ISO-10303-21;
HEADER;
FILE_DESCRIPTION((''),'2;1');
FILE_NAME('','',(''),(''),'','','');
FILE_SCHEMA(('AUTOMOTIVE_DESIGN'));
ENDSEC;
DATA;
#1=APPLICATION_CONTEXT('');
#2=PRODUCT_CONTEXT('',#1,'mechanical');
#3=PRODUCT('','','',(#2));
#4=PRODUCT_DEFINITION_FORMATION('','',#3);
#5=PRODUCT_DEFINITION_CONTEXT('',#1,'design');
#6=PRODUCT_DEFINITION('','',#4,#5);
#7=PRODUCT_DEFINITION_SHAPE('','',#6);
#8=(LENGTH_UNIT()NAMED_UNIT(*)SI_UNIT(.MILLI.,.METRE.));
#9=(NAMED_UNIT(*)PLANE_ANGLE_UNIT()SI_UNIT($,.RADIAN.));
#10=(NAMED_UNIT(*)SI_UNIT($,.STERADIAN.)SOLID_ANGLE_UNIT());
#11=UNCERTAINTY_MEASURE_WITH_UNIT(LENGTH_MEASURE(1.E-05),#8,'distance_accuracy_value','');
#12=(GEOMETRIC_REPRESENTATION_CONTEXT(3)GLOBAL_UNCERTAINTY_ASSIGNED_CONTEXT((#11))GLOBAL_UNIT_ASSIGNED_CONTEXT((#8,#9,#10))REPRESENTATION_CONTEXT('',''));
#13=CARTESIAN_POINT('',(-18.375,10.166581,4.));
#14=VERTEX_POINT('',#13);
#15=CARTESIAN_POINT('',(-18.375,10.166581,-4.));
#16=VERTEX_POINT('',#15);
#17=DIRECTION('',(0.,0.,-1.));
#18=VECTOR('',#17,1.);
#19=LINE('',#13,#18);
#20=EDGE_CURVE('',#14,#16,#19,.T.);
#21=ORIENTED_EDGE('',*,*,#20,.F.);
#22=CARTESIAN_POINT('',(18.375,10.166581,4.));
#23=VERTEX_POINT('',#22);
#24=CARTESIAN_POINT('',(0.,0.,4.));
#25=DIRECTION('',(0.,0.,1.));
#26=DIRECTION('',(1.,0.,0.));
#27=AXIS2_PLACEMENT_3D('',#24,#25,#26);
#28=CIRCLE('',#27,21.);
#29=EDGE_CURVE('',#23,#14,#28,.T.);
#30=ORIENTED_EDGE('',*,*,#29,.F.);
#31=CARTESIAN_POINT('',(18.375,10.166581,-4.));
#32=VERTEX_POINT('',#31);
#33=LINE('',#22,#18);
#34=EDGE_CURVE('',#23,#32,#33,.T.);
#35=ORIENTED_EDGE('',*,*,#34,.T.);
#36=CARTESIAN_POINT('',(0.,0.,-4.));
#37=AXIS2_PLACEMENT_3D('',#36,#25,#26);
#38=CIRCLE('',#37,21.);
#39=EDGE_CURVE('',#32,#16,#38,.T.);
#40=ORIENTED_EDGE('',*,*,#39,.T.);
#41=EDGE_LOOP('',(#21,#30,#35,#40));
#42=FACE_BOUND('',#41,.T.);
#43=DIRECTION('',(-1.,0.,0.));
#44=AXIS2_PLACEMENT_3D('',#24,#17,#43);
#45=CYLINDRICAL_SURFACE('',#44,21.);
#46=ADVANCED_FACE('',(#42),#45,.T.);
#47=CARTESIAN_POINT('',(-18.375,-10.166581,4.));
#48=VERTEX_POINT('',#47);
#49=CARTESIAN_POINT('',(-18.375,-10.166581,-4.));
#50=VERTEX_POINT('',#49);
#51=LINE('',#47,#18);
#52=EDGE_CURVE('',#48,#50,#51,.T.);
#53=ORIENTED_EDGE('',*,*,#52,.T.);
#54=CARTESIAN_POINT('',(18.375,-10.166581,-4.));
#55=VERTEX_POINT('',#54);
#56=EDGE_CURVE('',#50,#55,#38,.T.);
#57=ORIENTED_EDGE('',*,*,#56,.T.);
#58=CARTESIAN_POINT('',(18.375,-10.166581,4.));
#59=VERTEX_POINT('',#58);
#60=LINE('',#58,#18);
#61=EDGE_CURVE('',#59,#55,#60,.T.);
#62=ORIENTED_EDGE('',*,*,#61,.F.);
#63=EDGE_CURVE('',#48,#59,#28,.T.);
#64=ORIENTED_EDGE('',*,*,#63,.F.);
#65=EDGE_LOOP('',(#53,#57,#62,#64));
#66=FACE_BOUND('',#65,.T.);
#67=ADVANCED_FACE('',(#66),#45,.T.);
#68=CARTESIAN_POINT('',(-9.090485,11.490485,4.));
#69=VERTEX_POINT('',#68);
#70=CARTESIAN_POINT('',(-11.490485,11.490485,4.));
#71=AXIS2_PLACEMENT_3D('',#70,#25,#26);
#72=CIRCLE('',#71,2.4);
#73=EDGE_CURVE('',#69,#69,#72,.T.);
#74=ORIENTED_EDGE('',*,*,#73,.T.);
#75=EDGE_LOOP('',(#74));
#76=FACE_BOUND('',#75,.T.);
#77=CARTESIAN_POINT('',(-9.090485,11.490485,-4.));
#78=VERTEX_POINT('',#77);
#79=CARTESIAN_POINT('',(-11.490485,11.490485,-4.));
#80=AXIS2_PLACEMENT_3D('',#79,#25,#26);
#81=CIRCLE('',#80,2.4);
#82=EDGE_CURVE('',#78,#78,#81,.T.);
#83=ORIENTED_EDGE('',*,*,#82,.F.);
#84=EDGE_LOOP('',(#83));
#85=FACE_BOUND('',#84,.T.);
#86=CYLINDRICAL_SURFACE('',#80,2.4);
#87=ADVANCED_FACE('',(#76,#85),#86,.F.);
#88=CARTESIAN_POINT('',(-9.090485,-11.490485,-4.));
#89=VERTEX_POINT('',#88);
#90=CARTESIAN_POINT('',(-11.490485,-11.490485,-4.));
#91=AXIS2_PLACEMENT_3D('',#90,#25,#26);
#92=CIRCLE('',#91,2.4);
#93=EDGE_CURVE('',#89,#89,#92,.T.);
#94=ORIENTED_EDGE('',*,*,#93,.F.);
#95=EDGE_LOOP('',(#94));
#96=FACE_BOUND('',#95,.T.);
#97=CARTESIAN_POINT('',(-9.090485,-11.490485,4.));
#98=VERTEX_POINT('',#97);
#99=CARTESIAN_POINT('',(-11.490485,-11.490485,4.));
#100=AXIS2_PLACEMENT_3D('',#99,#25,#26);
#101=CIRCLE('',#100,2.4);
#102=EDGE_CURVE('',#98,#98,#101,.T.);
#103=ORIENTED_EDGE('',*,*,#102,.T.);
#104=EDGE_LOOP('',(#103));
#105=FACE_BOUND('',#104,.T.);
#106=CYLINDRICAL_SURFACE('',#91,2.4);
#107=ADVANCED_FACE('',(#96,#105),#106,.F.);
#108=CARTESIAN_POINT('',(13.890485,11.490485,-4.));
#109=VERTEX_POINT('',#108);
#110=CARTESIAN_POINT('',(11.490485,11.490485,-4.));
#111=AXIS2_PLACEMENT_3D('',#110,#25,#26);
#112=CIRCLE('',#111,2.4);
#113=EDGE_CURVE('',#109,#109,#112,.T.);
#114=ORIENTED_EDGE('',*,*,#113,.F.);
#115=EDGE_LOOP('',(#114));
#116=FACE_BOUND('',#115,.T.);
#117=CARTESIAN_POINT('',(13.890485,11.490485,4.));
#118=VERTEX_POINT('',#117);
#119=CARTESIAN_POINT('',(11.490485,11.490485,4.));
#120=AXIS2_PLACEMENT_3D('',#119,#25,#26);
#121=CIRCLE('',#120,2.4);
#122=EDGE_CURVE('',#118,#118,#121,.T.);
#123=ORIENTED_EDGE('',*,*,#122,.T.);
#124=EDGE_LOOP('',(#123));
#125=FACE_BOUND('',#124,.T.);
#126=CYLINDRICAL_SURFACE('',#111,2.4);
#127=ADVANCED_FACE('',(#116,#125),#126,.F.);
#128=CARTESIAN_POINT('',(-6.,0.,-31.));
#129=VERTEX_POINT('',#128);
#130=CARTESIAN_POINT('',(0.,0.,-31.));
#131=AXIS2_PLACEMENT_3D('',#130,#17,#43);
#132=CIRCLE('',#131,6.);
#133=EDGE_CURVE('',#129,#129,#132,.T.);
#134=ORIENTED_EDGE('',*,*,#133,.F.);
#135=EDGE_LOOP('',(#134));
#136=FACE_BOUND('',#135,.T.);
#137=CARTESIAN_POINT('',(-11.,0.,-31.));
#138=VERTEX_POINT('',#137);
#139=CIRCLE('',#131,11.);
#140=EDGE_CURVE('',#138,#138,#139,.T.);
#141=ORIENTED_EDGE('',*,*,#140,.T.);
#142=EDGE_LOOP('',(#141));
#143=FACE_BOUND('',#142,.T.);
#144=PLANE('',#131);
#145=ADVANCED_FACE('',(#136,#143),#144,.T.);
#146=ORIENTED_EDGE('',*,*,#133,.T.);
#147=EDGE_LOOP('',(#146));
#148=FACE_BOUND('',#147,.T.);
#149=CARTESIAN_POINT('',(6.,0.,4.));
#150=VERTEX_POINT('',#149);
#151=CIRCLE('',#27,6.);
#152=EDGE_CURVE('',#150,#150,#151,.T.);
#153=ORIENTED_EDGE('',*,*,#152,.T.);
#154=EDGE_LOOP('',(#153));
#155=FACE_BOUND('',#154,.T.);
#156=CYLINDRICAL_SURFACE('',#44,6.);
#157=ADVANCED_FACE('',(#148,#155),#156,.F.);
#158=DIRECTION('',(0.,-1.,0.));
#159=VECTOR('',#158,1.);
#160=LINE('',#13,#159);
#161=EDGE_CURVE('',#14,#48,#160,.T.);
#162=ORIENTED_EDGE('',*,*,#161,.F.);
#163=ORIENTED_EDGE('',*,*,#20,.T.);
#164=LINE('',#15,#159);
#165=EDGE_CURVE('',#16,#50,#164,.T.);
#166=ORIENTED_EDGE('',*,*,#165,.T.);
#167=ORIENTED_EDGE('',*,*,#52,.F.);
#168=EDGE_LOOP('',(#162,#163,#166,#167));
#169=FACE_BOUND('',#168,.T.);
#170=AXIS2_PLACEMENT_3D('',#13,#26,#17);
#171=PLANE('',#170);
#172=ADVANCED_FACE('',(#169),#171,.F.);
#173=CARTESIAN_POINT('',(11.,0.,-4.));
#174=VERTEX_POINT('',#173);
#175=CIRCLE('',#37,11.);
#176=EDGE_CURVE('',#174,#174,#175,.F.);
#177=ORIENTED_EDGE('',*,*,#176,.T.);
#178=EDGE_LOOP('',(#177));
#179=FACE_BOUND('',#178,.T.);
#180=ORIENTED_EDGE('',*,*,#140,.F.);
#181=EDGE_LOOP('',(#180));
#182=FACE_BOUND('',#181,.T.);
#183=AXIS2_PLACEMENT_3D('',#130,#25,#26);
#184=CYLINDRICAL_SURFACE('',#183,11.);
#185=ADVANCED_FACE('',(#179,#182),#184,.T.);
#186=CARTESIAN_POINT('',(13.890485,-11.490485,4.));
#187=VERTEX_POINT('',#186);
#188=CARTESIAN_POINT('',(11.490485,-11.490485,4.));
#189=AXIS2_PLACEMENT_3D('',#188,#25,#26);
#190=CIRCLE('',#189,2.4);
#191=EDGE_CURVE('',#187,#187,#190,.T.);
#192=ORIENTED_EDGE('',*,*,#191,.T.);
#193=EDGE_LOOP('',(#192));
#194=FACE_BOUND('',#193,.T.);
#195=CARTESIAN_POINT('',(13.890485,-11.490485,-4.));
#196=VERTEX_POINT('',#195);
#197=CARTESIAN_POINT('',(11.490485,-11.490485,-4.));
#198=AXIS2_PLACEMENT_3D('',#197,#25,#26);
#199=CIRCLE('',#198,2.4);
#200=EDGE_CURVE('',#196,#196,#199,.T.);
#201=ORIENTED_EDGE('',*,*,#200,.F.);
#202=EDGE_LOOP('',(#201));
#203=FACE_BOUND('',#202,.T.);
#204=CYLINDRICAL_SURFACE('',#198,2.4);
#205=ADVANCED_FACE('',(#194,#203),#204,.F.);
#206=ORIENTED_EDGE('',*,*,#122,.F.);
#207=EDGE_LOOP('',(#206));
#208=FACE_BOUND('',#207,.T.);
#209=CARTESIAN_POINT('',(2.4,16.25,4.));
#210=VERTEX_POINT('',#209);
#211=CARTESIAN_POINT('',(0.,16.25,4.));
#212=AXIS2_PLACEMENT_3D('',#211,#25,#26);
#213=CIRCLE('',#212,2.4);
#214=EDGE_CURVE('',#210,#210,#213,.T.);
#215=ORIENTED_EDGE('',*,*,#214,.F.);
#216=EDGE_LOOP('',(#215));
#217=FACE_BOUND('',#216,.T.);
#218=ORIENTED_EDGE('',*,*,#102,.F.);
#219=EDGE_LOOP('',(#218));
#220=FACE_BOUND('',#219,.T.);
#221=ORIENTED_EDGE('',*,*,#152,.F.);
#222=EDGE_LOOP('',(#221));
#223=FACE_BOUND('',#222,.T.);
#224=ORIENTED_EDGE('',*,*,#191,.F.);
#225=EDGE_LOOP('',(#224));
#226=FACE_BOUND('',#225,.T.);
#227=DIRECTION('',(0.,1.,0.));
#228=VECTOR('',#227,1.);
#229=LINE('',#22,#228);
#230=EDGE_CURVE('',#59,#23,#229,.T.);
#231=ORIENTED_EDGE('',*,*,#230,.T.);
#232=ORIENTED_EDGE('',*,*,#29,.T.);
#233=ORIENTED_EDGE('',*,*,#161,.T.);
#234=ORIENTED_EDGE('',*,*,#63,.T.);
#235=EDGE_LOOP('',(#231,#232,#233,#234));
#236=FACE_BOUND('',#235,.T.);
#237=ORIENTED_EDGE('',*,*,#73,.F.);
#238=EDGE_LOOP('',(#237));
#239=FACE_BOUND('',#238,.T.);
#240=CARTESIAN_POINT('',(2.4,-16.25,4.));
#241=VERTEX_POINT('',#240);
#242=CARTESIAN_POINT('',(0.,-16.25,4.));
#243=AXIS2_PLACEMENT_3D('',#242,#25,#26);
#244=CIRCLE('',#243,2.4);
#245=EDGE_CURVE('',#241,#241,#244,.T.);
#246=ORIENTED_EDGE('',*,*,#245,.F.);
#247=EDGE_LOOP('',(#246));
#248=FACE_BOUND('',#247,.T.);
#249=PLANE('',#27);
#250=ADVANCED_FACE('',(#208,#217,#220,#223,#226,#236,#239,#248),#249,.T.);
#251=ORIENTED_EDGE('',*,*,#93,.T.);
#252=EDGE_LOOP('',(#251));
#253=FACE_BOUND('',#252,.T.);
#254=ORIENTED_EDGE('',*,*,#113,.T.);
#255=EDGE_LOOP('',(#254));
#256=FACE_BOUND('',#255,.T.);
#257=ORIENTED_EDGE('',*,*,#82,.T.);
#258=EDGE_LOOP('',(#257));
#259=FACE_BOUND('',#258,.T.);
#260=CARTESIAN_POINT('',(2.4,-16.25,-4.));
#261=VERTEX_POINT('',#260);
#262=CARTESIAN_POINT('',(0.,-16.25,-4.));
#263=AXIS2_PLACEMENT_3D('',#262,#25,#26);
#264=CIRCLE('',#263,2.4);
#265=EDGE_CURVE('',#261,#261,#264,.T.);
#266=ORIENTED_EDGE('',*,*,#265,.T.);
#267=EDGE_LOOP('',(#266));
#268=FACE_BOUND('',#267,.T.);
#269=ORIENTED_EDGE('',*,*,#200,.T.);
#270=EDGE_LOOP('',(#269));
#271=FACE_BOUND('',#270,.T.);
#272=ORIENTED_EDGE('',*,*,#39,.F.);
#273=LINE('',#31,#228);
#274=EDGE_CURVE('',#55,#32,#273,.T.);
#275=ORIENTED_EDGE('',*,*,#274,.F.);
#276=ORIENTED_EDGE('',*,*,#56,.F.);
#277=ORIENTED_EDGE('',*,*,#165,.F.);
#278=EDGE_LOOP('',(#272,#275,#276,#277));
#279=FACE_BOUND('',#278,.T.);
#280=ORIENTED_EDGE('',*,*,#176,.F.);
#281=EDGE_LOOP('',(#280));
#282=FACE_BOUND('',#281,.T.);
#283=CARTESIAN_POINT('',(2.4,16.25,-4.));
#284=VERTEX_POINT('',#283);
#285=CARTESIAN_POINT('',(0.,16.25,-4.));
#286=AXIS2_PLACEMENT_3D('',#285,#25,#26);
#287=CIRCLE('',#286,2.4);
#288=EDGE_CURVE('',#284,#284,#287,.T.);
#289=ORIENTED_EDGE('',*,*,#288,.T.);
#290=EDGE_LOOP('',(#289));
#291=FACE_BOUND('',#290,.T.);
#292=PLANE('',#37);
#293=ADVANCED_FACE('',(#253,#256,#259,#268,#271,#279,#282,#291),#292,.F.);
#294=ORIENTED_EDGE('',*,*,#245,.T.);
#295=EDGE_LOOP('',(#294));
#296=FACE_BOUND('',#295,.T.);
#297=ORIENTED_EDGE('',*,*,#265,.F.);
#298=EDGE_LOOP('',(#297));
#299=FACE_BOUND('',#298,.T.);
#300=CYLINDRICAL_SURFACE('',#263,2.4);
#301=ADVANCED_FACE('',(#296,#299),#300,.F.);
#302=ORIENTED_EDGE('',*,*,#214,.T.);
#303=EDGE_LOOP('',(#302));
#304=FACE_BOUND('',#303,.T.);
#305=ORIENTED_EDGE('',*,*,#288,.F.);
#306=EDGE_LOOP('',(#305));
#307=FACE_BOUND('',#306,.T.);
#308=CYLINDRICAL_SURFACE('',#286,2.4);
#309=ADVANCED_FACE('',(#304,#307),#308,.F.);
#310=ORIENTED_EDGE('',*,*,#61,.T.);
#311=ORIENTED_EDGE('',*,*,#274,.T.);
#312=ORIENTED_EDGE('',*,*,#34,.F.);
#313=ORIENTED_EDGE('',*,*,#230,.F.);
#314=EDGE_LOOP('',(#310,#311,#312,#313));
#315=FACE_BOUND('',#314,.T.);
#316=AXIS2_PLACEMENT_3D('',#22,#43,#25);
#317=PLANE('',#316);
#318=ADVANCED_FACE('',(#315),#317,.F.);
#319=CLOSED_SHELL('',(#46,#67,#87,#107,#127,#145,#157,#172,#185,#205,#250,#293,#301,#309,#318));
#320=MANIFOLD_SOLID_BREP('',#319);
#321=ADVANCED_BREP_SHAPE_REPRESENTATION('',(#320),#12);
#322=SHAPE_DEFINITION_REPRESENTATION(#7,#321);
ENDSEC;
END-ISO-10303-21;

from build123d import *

# Parameters (mm, degrees)
SKETCH1_R           = 6
BOSS_EXTRUDE1_DEPTH = 4
SKETCH2_R           = 2.4
CUT_EXTRUDE1_DEPTH  = 9
SKETCH3_R           = 11
SKETCH3_R_2         = 6
BOSS_EXTRUDE2_DEPTH = 27


with BuildPart() as part:
    # Sketch1 → Boss-Extrude1 (new body, symmetric)
    with BuildSketch(Plane.XY):
        with BuildLine():
            Line((-18.375, 10.166581284), (-18.375, -10.166581284))
            ThreePointArc((-18.375, -10.166581284), (0, -21), (18.375, -10.166581284))
            Line((18.375, -10.166581284), (18.375, 10.166581284))
            ThreePointArc((18.375, 10.166581284), (0, 21), (-18.375, 10.166581284))
        make_face()
        Circle(SKETCH1_R, mode=Mode.SUBTRACT)
    extrude(amount=BOSS_EXTRUDE1_DEPTH, both=True)

    # Sketch2 → Cut-Extrude1 (cut, through all)
    with BuildSketch(Plane.XY.offset(4)):
        with Locations((-11.490485194, 11.490485194)):
            Circle(SKETCH2_R)
        with Locations((0, 16.25)):
            Circle(SKETCH2_R)
        with Locations((11.490485194, 11.490485194)):
            Circle(SKETCH2_R)
        with Locations((11.490485194, -11.490485194)):
            Circle(SKETCH2_R)
        with Locations((0, -16.25)):
            Circle(SKETCH2_R)
        with Locations((-11.490485194, -11.490485194)):
            Circle(SKETCH2_R)
    extrude(amount=-CUT_EXTRUDE1_DEPTH, mode=Mode.SUBTRACT)

    # Sketch3 → Boss-Extrude2 (add)
    with BuildSketch(Plane(origin=(0, 0, -4), x_dir=(-1, 0, 0), z_dir=(0, 0, -1))):
        Circle(SKETCH3_R)
        Circle(SKETCH3_R_2, mode=Mode.SUBTRACT)
    extrude(amount=BOSS_EXTRUDE2_DEPTH)


solid = part.part
